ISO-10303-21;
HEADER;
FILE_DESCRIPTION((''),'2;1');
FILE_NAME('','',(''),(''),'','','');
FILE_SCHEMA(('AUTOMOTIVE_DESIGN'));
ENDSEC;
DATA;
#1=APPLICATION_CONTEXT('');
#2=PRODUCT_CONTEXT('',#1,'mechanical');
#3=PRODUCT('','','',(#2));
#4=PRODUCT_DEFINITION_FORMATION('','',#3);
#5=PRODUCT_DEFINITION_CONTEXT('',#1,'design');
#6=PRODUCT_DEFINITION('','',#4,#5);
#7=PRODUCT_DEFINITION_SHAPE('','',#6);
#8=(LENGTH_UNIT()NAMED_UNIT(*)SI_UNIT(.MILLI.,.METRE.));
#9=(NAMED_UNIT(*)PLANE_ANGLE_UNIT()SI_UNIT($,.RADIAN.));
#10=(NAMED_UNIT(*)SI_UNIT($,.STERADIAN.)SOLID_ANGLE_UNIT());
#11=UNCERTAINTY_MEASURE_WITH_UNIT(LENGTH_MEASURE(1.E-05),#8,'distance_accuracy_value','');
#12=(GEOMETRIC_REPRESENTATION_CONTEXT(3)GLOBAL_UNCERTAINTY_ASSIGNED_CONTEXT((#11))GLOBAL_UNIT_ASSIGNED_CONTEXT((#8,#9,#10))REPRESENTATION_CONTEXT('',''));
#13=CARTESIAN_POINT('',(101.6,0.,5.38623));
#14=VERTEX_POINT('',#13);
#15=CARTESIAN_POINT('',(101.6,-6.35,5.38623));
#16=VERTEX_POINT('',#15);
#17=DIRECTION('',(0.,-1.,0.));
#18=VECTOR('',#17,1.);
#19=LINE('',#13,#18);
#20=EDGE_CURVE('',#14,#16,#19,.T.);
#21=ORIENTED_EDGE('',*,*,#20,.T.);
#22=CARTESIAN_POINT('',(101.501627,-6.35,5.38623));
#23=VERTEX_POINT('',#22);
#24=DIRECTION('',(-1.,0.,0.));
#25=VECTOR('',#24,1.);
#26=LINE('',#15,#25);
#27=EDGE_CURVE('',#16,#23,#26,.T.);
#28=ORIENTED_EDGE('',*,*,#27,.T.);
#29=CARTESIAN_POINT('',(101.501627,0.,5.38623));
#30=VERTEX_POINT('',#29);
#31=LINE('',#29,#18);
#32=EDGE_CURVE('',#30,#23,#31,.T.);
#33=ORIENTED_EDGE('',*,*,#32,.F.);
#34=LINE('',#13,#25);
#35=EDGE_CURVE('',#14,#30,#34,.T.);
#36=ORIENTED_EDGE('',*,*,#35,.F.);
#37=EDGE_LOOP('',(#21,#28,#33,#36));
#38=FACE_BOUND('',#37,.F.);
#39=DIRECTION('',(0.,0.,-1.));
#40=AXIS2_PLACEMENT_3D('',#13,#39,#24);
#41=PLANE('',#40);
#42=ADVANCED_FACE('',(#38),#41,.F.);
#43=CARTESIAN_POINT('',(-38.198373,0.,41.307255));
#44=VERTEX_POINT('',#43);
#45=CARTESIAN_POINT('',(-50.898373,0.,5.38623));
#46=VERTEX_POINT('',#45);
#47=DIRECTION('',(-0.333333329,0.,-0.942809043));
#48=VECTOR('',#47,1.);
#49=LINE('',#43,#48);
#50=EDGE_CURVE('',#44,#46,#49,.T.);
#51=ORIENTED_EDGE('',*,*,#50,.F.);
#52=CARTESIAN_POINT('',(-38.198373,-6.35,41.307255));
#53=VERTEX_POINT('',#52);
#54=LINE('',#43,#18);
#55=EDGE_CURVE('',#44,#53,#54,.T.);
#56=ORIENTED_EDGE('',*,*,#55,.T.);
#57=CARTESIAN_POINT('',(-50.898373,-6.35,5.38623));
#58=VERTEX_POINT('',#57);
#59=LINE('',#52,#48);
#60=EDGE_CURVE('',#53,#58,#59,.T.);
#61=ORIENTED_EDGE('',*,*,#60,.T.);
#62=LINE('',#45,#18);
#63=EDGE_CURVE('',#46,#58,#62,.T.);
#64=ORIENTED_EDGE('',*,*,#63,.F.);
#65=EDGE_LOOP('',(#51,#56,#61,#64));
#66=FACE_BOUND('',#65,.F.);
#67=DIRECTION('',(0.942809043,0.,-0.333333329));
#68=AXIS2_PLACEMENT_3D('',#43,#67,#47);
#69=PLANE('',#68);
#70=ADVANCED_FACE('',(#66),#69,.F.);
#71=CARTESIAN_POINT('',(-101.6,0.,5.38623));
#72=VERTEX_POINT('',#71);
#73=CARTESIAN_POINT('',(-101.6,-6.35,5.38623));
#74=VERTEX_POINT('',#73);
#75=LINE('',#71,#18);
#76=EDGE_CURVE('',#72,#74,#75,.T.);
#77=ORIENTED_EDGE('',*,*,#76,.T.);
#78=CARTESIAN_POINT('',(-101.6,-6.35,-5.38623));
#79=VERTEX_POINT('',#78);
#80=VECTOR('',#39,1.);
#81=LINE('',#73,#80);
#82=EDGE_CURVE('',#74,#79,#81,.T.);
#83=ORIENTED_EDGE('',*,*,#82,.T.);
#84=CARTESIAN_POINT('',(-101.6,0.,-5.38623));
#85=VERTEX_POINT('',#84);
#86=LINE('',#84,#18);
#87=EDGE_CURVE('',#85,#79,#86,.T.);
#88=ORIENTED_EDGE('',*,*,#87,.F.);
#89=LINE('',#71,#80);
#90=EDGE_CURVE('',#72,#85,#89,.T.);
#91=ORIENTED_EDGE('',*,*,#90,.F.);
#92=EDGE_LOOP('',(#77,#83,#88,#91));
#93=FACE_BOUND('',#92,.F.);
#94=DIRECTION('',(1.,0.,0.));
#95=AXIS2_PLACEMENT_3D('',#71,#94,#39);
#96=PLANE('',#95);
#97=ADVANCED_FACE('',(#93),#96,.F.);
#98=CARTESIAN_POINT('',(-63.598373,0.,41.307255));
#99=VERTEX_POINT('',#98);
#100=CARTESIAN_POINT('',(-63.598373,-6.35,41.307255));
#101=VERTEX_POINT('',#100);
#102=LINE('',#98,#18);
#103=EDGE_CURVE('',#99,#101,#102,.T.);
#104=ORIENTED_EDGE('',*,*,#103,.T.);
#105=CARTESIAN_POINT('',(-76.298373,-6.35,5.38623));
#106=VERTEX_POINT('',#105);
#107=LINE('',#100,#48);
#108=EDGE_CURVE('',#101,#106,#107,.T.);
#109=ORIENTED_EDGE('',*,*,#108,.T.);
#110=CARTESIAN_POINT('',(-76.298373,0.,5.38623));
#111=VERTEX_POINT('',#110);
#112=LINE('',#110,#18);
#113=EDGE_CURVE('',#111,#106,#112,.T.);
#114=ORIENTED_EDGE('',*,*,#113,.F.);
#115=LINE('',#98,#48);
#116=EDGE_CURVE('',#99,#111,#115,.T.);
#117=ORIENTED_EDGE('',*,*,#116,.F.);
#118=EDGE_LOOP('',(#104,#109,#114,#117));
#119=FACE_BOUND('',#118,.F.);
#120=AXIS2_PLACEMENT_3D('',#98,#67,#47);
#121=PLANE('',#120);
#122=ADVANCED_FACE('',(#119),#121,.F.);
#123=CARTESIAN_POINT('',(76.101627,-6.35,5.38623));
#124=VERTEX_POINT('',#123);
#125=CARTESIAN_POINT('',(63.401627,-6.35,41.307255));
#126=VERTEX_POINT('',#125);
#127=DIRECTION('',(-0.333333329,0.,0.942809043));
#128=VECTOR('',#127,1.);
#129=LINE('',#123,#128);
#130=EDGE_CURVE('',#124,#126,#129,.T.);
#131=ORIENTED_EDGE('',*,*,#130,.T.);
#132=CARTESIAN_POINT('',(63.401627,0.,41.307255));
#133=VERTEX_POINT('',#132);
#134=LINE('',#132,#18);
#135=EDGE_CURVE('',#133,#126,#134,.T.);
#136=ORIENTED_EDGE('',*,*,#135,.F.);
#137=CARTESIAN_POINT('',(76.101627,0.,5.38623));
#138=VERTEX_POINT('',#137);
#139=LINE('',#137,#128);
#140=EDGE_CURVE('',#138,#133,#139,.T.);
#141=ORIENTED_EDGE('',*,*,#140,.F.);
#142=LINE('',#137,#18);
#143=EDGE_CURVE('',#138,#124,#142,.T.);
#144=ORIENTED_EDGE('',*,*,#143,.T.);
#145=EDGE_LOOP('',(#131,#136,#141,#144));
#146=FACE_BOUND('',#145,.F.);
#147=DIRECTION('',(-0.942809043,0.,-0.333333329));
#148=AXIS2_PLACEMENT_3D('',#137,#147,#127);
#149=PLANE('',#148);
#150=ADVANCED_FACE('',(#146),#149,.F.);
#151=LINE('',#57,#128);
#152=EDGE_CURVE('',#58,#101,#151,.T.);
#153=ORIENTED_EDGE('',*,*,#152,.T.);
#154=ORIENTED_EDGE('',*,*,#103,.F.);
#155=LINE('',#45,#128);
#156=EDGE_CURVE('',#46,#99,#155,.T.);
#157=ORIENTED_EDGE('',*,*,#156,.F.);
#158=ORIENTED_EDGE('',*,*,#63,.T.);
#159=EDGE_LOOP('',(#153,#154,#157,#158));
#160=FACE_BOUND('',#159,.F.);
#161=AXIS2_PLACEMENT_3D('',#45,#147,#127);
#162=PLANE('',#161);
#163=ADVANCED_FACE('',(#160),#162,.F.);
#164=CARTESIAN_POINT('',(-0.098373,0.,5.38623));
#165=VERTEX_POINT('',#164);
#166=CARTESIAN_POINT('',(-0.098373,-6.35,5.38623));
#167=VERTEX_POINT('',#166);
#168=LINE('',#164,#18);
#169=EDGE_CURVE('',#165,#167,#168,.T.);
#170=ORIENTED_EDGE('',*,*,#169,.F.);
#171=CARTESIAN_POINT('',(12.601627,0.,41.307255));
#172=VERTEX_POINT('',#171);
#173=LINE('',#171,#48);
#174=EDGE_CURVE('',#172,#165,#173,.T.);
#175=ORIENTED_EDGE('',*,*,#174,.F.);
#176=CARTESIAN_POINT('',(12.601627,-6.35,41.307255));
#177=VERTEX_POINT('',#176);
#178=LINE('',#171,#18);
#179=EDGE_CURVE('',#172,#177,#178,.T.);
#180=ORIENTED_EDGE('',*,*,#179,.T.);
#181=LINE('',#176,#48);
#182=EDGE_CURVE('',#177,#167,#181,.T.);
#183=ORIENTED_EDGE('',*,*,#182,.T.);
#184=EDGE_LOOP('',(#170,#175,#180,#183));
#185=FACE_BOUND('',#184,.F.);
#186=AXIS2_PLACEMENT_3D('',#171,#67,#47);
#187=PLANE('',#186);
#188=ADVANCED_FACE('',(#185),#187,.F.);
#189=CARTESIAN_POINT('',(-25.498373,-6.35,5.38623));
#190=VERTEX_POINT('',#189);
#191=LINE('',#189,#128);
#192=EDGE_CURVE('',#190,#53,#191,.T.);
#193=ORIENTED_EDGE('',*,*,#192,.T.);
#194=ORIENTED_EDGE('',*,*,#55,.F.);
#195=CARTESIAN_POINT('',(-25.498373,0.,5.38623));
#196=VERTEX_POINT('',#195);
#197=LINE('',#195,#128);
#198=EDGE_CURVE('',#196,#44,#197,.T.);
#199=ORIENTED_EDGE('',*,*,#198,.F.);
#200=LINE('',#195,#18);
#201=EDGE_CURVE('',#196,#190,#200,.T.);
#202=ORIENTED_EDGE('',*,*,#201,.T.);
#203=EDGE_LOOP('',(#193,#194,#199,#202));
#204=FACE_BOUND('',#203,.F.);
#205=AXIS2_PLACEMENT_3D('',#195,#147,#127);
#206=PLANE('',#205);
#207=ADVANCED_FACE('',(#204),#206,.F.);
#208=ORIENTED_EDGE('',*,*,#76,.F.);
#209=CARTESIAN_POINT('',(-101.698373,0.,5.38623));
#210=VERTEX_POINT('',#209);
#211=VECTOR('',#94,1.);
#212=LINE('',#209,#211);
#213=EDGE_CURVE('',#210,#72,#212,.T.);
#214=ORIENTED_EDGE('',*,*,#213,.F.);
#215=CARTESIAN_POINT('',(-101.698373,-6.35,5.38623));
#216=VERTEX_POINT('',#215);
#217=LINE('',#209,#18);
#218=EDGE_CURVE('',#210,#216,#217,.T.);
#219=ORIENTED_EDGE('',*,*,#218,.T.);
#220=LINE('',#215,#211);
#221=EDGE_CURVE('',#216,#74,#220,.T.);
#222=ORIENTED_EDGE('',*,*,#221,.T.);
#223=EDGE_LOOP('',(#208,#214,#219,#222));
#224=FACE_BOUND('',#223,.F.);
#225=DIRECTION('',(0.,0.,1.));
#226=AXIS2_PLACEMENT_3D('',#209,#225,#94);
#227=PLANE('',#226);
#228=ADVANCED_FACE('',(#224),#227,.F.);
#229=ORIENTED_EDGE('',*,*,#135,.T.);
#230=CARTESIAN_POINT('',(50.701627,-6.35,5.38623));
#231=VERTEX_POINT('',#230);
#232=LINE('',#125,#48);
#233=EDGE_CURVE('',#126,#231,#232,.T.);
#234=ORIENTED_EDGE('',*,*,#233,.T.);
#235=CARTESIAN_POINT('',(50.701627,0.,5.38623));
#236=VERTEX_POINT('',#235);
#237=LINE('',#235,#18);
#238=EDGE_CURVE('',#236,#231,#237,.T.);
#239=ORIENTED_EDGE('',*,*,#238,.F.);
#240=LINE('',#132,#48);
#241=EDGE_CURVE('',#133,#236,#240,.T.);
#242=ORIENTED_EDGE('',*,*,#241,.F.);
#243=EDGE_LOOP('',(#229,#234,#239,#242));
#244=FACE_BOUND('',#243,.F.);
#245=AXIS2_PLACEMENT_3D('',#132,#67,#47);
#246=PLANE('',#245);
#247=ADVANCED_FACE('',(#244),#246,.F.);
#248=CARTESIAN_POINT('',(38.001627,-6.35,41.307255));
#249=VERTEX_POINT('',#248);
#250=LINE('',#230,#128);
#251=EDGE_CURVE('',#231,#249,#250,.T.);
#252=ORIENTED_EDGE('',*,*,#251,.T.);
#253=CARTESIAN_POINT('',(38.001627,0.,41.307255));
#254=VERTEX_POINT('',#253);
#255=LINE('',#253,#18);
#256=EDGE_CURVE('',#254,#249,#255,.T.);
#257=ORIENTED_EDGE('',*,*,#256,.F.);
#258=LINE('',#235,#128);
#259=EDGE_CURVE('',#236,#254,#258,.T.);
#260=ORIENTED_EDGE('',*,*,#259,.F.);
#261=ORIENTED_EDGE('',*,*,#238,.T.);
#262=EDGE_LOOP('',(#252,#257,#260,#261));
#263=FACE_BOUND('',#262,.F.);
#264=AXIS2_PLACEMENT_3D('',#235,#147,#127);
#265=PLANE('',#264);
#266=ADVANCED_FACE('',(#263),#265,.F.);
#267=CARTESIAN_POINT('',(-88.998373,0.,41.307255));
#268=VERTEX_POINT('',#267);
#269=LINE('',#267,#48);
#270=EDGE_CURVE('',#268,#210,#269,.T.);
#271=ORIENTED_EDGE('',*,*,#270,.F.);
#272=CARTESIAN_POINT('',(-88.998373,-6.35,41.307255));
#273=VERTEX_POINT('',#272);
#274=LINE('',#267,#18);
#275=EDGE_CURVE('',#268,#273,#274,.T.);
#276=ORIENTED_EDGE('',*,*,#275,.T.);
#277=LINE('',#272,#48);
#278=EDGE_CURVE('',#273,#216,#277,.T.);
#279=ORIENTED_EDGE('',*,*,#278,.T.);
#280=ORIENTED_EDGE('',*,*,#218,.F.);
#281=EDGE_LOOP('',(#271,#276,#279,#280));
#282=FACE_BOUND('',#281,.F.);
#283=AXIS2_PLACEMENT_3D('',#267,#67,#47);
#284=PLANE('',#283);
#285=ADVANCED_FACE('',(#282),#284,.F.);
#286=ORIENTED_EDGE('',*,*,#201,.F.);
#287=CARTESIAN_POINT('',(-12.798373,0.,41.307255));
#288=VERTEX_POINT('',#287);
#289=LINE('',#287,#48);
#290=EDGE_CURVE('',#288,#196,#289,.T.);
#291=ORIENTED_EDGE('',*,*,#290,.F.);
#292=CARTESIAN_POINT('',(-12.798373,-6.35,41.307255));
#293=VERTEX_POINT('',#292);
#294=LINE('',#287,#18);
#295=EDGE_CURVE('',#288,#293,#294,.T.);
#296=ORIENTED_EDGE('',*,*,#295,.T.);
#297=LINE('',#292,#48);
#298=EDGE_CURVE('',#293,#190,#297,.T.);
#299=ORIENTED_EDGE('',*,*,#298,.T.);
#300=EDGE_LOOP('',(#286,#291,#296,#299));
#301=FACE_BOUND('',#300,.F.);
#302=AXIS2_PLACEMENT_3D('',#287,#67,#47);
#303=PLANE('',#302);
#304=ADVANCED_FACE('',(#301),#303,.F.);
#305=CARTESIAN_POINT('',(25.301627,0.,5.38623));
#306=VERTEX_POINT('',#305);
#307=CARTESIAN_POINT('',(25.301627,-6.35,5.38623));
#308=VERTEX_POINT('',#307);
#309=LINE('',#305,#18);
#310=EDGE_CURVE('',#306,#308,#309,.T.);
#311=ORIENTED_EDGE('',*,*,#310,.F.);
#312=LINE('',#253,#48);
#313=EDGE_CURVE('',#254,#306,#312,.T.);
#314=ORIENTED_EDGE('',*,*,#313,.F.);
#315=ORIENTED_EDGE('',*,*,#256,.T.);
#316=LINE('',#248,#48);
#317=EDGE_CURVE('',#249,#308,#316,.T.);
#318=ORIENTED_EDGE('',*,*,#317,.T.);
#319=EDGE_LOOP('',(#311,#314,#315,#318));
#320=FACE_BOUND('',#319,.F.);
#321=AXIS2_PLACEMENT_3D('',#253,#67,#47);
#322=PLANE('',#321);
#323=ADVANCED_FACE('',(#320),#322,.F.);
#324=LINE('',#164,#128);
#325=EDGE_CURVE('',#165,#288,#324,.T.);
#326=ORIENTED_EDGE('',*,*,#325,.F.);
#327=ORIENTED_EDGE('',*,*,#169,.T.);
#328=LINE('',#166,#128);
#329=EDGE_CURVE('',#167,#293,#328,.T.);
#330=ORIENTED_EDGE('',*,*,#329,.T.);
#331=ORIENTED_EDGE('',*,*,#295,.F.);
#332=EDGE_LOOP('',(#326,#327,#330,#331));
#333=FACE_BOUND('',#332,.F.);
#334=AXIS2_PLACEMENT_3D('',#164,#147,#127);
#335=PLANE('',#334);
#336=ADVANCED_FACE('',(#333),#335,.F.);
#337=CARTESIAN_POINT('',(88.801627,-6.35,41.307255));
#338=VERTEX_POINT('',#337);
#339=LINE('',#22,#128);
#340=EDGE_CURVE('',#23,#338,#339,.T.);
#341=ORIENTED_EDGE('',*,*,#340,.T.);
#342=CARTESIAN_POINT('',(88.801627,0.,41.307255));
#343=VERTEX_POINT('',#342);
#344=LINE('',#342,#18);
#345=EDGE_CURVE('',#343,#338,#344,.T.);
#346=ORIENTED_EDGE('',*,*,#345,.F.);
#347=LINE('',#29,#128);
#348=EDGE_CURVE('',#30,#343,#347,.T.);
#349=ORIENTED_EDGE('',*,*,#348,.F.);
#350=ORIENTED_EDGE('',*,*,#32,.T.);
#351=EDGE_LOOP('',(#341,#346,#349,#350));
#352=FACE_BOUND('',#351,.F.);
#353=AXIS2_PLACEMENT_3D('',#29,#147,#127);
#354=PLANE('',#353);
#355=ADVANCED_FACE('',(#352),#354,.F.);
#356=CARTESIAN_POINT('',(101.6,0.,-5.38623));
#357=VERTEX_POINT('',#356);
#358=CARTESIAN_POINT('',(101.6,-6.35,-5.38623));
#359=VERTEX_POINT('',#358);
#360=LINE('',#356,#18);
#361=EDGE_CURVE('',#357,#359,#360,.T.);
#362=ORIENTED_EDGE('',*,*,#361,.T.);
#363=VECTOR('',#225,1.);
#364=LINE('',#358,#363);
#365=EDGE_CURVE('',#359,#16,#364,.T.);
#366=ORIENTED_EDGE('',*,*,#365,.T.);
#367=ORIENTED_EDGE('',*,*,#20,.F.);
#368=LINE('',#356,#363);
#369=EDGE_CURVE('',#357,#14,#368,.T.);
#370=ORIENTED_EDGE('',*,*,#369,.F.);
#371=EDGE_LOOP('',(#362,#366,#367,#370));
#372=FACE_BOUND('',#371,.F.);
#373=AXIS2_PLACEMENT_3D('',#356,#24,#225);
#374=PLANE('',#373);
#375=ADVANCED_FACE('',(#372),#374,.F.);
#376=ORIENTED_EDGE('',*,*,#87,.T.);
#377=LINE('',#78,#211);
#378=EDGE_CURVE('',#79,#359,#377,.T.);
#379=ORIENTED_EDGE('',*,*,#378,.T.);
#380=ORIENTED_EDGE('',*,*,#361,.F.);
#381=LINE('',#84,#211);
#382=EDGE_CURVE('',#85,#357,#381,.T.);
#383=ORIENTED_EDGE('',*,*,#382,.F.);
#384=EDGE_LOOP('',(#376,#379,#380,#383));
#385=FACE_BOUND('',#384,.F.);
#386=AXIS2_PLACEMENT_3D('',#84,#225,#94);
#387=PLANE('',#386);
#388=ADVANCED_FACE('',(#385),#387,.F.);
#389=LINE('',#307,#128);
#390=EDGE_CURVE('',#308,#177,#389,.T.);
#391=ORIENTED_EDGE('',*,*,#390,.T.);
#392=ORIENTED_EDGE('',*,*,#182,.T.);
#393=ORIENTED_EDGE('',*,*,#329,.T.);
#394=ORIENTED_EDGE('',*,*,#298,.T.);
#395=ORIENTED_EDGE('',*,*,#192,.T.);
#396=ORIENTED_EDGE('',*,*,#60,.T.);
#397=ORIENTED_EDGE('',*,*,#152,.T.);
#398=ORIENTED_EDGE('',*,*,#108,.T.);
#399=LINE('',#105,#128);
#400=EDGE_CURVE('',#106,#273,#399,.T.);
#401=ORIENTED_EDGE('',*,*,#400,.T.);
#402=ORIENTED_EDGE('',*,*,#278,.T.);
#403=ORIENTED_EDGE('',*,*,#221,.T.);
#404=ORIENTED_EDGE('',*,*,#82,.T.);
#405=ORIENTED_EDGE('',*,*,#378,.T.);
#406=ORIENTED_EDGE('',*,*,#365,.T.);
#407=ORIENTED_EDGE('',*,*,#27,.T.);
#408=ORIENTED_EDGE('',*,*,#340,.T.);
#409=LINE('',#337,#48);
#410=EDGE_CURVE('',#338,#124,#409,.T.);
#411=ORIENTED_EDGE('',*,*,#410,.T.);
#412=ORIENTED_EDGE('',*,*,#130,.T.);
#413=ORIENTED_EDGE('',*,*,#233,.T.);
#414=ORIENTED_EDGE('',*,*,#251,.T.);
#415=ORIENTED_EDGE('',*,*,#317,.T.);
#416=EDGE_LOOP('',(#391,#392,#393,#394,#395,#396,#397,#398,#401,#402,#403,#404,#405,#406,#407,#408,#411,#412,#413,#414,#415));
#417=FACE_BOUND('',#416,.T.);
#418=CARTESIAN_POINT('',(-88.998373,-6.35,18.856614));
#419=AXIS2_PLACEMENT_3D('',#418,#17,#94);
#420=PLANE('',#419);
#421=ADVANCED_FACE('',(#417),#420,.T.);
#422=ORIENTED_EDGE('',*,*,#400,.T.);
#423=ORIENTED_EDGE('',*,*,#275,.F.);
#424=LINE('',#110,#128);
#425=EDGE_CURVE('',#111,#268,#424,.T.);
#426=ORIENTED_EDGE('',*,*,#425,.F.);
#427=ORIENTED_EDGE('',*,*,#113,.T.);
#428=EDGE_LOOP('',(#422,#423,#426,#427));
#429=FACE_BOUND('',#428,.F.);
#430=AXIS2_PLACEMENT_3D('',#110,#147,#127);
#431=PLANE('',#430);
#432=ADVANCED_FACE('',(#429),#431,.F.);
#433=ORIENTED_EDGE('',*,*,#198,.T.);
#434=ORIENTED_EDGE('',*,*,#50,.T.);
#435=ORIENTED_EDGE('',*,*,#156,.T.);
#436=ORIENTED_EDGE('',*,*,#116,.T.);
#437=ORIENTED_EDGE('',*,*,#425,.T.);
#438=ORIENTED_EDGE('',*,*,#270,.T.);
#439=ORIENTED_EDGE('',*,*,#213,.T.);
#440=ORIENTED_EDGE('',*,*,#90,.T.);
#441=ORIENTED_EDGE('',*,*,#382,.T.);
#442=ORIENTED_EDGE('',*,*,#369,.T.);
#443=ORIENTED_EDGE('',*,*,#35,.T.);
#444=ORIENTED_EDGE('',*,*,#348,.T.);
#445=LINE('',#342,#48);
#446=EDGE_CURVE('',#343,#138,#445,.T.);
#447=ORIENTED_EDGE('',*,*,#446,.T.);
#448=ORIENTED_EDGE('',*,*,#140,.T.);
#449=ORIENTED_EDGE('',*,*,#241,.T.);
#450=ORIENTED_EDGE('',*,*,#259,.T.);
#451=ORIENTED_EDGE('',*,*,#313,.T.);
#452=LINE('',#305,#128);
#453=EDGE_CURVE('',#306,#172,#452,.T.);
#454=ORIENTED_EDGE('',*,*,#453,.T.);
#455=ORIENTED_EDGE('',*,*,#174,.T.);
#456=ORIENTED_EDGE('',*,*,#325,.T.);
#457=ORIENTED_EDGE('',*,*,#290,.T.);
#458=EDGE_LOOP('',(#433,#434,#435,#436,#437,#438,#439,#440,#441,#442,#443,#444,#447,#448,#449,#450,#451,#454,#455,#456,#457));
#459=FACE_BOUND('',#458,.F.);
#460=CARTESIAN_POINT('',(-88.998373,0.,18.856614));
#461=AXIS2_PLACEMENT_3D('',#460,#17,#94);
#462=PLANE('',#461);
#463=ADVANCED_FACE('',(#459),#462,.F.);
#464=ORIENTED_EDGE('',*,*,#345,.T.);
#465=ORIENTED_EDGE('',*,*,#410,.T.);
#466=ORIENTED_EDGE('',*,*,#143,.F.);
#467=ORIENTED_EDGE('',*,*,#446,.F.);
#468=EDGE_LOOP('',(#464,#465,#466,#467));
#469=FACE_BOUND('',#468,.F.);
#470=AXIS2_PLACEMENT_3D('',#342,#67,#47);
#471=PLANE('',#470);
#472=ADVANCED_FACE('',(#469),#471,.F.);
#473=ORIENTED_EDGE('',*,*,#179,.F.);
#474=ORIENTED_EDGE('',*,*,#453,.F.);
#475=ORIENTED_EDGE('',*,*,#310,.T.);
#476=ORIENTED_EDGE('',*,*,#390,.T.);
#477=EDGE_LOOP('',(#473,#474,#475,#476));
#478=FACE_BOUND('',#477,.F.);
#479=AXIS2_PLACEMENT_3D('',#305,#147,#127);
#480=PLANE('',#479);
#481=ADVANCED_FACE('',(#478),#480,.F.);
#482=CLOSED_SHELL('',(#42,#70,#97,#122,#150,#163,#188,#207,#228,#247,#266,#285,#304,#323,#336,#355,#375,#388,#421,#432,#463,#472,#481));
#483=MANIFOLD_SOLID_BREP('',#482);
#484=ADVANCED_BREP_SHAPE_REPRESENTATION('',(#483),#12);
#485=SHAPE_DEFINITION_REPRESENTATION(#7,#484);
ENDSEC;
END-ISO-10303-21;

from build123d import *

# Parameters (mm, degrees)
F1_DEPTH = 6.35


with BuildPart() as f1:
    # F0 (on Front) → F1 (new body)
    with BuildSketch(Plane.XZ):
        Polygon((-101.698373, 5.38623), (-101.6, 5.38623), (-76.298373, 5.38623), (-88.998373, 41.307255), align=None)
        Polygon((-76.298373, 5.38623), (-101.6, 5.38623), (-101.6, -5.38623), (101.6, -5.38623), (101.6, 5.38623), (101.501627, 5.38623), (76.101627, 5.38623), (50.701627, 5.38623), (25.301627, 5.38623), (-0.098373, 5.38623), (-25.498373, 5.38623), (-50.898373, 5.38623), align=None)
        Polygon((-63.598373, 41.307255), (-76.298373, 5.38623), (-50.898373, 5.38623), align=None)
        Polygon((-38.198373, 41.307255), (-50.898373, 5.38623), (-25.498373, 5.38623), align=None)
        Polygon((-12.798373, 41.307255), (-25.498373, 5.38623), (-0.098373, 5.38623), align=None)
        Polygon((12.601627, 41.307255), (-0.098373, 5.38623), (25.301627, 5.38623), align=None)
        Polygon((76.101627, 5.38623), (101.501627, 5.38623), (88.801627, 41.307255), align=None)
        Polygon((38.001627, 41.307255), (25.301627, 5.38623), (50.701627, 5.38623), align=None)
        Polygon((50.701627, 5.38623), (76.101627, 5.38623), (63.401627, 41.307255), align=None)
    extrude(amount=F1_DEPTH)


solid = f1.part
